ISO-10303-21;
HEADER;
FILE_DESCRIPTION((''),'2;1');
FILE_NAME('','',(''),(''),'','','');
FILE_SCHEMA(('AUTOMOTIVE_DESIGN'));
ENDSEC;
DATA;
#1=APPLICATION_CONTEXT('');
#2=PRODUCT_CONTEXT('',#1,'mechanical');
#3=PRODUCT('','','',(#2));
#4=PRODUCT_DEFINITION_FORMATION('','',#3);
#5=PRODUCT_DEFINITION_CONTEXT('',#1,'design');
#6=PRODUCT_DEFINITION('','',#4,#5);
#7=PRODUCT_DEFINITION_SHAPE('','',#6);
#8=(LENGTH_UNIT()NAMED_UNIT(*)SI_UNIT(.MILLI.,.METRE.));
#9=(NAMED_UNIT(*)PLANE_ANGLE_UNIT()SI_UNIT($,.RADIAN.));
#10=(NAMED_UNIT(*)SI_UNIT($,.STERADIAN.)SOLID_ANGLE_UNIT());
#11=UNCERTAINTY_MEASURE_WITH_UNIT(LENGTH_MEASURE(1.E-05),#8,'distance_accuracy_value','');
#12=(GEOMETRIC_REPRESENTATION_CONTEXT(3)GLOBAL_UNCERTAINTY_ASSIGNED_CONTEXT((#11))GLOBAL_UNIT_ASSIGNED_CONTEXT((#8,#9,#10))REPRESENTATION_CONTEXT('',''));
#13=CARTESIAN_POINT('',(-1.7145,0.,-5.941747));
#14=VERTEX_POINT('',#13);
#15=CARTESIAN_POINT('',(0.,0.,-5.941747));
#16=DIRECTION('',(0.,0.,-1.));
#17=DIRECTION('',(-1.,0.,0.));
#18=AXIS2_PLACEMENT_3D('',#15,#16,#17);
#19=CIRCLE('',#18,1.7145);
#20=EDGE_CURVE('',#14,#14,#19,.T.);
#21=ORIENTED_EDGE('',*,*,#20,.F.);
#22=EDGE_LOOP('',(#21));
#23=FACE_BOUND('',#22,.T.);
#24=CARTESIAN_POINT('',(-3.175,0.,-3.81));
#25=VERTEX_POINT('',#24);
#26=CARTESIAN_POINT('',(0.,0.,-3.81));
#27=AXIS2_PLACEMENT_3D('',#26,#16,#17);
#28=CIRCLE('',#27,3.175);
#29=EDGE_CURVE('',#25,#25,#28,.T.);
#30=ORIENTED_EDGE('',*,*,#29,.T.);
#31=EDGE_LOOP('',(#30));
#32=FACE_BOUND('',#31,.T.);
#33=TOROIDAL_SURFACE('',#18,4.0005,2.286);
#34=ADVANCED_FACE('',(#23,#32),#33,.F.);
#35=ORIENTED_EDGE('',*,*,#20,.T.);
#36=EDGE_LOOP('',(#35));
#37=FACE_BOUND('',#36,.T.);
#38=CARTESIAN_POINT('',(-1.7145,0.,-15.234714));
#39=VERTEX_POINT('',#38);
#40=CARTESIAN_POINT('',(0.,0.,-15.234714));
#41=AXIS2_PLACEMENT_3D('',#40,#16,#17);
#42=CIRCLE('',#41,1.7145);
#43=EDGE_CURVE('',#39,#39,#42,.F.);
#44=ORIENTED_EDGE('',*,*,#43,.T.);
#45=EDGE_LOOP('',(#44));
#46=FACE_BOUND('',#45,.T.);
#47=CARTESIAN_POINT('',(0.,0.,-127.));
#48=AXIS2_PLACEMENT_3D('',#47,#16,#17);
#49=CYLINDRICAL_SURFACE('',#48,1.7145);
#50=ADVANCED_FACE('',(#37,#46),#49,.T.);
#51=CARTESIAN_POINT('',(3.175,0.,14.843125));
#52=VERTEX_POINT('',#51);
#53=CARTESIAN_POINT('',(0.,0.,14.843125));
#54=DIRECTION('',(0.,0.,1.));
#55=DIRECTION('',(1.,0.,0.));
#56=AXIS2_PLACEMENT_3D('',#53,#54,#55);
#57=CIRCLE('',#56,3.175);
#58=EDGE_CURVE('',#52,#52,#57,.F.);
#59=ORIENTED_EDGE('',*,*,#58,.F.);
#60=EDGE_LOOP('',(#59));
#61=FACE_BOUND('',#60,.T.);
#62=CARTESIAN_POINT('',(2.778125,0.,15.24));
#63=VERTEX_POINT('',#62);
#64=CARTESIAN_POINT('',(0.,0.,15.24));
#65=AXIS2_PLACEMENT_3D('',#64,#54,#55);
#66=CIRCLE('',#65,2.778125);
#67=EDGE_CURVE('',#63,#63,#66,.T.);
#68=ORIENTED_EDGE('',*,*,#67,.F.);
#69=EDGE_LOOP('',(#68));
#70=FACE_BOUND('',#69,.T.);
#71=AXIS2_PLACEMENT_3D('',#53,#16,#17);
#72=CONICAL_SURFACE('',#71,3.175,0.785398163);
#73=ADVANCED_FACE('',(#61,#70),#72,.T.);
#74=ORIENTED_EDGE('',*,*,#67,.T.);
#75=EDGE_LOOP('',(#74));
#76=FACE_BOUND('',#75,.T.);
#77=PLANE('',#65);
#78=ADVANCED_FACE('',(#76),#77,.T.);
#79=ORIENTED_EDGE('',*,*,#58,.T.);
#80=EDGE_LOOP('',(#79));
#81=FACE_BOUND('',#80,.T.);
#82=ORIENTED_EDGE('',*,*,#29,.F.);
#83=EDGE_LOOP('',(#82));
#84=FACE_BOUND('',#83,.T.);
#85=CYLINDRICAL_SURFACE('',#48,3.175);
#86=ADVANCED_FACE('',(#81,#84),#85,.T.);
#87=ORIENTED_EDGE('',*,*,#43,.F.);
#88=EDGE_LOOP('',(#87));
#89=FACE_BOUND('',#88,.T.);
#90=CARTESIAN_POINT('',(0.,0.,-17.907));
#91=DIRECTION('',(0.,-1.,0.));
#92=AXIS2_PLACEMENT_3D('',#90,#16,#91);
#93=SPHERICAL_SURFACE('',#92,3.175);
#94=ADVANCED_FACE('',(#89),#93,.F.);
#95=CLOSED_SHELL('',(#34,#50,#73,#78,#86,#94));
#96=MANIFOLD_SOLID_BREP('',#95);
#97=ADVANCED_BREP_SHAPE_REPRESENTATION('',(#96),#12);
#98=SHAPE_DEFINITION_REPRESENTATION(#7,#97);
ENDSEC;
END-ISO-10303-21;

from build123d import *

# Parameters (mm, degrees)
CHAFL_N1_SIZE = 0.396875


with BuildPart() as part:
    # Croquis1 → Revolución1 (revolve)
    with BuildSketch(Plane(origin=(0, 0, 0), x_dir=(0, 0, -1), z_dir=(1, 0, 0)), mode=Mode.PRIVATE) as revoluci_n1_sk:
        with BuildLine():
            Line((-15.24, 0), (-15.24, 3.175))
            Line((-15.24, 3.175), (3.81, 3.175))
            ThreePointArc((3.81, 3.175), (4.64971325, 2.114646215), (5.941747112, 1.7145))
            Line((5.941747112, 1.7145), (15.24, 1.7145))
            Line((15.24, 1.7145), (15.24, 0))
            Line((15.24, 0), (-15.24, 0))
        make_face()
    revolve(revoluci_n1_sk.sketch.rotate(Axis((0, 0, -127), (0, 0, 1)), 90), axis=Axis((0, 0, -127), (0, 0, 1)))

    # Croquis4 → Cortar-Revolución1 (revolve, cut)
    with BuildSketch(Plane(origin=(0, 0, 0), x_dir=(0, 0, -1), z_dir=(1, 0, 0)), mode=Mode.PRIVATE) as cortar_revoluci_n1_sk:
        with BuildLine():
            ThreePointArc((15.24, 1.722711816), (14.861646983, 0.898025612), (14.732, 0))
            Line((14.732, 0), (15.24, 0))
            Line((15.24, 0), (15.24, 1.722711816))
        make_face()
        with BuildLine():
            ThreePointArc((14.732, 0), (14.861646983, 0.898025612), (15.24, 1.722711816))
            Line((15.24, 1.722711816), (15.24, 0))
            Line((15.24, 0), (14.732, 0))
        make_face()
    revolve(cortar_revoluci_n1_sk.sketch.rotate(Axis((0, 0, -15.24), (0, 0, 1)), 90), axis=Axis((0, 0, -15.24), (0, 0, 1)), mode=Mode.SUBTRACT)

    # Chaflán1
    chafl_n1_edges = [part.edges().sort_by_distance(p)[0] for p in [
        (3.175, 0, 15.24),
    ]]
    chamfer(chafl_n1_edges, length=CHAFL_N1_SIZE)


solid = part.part
